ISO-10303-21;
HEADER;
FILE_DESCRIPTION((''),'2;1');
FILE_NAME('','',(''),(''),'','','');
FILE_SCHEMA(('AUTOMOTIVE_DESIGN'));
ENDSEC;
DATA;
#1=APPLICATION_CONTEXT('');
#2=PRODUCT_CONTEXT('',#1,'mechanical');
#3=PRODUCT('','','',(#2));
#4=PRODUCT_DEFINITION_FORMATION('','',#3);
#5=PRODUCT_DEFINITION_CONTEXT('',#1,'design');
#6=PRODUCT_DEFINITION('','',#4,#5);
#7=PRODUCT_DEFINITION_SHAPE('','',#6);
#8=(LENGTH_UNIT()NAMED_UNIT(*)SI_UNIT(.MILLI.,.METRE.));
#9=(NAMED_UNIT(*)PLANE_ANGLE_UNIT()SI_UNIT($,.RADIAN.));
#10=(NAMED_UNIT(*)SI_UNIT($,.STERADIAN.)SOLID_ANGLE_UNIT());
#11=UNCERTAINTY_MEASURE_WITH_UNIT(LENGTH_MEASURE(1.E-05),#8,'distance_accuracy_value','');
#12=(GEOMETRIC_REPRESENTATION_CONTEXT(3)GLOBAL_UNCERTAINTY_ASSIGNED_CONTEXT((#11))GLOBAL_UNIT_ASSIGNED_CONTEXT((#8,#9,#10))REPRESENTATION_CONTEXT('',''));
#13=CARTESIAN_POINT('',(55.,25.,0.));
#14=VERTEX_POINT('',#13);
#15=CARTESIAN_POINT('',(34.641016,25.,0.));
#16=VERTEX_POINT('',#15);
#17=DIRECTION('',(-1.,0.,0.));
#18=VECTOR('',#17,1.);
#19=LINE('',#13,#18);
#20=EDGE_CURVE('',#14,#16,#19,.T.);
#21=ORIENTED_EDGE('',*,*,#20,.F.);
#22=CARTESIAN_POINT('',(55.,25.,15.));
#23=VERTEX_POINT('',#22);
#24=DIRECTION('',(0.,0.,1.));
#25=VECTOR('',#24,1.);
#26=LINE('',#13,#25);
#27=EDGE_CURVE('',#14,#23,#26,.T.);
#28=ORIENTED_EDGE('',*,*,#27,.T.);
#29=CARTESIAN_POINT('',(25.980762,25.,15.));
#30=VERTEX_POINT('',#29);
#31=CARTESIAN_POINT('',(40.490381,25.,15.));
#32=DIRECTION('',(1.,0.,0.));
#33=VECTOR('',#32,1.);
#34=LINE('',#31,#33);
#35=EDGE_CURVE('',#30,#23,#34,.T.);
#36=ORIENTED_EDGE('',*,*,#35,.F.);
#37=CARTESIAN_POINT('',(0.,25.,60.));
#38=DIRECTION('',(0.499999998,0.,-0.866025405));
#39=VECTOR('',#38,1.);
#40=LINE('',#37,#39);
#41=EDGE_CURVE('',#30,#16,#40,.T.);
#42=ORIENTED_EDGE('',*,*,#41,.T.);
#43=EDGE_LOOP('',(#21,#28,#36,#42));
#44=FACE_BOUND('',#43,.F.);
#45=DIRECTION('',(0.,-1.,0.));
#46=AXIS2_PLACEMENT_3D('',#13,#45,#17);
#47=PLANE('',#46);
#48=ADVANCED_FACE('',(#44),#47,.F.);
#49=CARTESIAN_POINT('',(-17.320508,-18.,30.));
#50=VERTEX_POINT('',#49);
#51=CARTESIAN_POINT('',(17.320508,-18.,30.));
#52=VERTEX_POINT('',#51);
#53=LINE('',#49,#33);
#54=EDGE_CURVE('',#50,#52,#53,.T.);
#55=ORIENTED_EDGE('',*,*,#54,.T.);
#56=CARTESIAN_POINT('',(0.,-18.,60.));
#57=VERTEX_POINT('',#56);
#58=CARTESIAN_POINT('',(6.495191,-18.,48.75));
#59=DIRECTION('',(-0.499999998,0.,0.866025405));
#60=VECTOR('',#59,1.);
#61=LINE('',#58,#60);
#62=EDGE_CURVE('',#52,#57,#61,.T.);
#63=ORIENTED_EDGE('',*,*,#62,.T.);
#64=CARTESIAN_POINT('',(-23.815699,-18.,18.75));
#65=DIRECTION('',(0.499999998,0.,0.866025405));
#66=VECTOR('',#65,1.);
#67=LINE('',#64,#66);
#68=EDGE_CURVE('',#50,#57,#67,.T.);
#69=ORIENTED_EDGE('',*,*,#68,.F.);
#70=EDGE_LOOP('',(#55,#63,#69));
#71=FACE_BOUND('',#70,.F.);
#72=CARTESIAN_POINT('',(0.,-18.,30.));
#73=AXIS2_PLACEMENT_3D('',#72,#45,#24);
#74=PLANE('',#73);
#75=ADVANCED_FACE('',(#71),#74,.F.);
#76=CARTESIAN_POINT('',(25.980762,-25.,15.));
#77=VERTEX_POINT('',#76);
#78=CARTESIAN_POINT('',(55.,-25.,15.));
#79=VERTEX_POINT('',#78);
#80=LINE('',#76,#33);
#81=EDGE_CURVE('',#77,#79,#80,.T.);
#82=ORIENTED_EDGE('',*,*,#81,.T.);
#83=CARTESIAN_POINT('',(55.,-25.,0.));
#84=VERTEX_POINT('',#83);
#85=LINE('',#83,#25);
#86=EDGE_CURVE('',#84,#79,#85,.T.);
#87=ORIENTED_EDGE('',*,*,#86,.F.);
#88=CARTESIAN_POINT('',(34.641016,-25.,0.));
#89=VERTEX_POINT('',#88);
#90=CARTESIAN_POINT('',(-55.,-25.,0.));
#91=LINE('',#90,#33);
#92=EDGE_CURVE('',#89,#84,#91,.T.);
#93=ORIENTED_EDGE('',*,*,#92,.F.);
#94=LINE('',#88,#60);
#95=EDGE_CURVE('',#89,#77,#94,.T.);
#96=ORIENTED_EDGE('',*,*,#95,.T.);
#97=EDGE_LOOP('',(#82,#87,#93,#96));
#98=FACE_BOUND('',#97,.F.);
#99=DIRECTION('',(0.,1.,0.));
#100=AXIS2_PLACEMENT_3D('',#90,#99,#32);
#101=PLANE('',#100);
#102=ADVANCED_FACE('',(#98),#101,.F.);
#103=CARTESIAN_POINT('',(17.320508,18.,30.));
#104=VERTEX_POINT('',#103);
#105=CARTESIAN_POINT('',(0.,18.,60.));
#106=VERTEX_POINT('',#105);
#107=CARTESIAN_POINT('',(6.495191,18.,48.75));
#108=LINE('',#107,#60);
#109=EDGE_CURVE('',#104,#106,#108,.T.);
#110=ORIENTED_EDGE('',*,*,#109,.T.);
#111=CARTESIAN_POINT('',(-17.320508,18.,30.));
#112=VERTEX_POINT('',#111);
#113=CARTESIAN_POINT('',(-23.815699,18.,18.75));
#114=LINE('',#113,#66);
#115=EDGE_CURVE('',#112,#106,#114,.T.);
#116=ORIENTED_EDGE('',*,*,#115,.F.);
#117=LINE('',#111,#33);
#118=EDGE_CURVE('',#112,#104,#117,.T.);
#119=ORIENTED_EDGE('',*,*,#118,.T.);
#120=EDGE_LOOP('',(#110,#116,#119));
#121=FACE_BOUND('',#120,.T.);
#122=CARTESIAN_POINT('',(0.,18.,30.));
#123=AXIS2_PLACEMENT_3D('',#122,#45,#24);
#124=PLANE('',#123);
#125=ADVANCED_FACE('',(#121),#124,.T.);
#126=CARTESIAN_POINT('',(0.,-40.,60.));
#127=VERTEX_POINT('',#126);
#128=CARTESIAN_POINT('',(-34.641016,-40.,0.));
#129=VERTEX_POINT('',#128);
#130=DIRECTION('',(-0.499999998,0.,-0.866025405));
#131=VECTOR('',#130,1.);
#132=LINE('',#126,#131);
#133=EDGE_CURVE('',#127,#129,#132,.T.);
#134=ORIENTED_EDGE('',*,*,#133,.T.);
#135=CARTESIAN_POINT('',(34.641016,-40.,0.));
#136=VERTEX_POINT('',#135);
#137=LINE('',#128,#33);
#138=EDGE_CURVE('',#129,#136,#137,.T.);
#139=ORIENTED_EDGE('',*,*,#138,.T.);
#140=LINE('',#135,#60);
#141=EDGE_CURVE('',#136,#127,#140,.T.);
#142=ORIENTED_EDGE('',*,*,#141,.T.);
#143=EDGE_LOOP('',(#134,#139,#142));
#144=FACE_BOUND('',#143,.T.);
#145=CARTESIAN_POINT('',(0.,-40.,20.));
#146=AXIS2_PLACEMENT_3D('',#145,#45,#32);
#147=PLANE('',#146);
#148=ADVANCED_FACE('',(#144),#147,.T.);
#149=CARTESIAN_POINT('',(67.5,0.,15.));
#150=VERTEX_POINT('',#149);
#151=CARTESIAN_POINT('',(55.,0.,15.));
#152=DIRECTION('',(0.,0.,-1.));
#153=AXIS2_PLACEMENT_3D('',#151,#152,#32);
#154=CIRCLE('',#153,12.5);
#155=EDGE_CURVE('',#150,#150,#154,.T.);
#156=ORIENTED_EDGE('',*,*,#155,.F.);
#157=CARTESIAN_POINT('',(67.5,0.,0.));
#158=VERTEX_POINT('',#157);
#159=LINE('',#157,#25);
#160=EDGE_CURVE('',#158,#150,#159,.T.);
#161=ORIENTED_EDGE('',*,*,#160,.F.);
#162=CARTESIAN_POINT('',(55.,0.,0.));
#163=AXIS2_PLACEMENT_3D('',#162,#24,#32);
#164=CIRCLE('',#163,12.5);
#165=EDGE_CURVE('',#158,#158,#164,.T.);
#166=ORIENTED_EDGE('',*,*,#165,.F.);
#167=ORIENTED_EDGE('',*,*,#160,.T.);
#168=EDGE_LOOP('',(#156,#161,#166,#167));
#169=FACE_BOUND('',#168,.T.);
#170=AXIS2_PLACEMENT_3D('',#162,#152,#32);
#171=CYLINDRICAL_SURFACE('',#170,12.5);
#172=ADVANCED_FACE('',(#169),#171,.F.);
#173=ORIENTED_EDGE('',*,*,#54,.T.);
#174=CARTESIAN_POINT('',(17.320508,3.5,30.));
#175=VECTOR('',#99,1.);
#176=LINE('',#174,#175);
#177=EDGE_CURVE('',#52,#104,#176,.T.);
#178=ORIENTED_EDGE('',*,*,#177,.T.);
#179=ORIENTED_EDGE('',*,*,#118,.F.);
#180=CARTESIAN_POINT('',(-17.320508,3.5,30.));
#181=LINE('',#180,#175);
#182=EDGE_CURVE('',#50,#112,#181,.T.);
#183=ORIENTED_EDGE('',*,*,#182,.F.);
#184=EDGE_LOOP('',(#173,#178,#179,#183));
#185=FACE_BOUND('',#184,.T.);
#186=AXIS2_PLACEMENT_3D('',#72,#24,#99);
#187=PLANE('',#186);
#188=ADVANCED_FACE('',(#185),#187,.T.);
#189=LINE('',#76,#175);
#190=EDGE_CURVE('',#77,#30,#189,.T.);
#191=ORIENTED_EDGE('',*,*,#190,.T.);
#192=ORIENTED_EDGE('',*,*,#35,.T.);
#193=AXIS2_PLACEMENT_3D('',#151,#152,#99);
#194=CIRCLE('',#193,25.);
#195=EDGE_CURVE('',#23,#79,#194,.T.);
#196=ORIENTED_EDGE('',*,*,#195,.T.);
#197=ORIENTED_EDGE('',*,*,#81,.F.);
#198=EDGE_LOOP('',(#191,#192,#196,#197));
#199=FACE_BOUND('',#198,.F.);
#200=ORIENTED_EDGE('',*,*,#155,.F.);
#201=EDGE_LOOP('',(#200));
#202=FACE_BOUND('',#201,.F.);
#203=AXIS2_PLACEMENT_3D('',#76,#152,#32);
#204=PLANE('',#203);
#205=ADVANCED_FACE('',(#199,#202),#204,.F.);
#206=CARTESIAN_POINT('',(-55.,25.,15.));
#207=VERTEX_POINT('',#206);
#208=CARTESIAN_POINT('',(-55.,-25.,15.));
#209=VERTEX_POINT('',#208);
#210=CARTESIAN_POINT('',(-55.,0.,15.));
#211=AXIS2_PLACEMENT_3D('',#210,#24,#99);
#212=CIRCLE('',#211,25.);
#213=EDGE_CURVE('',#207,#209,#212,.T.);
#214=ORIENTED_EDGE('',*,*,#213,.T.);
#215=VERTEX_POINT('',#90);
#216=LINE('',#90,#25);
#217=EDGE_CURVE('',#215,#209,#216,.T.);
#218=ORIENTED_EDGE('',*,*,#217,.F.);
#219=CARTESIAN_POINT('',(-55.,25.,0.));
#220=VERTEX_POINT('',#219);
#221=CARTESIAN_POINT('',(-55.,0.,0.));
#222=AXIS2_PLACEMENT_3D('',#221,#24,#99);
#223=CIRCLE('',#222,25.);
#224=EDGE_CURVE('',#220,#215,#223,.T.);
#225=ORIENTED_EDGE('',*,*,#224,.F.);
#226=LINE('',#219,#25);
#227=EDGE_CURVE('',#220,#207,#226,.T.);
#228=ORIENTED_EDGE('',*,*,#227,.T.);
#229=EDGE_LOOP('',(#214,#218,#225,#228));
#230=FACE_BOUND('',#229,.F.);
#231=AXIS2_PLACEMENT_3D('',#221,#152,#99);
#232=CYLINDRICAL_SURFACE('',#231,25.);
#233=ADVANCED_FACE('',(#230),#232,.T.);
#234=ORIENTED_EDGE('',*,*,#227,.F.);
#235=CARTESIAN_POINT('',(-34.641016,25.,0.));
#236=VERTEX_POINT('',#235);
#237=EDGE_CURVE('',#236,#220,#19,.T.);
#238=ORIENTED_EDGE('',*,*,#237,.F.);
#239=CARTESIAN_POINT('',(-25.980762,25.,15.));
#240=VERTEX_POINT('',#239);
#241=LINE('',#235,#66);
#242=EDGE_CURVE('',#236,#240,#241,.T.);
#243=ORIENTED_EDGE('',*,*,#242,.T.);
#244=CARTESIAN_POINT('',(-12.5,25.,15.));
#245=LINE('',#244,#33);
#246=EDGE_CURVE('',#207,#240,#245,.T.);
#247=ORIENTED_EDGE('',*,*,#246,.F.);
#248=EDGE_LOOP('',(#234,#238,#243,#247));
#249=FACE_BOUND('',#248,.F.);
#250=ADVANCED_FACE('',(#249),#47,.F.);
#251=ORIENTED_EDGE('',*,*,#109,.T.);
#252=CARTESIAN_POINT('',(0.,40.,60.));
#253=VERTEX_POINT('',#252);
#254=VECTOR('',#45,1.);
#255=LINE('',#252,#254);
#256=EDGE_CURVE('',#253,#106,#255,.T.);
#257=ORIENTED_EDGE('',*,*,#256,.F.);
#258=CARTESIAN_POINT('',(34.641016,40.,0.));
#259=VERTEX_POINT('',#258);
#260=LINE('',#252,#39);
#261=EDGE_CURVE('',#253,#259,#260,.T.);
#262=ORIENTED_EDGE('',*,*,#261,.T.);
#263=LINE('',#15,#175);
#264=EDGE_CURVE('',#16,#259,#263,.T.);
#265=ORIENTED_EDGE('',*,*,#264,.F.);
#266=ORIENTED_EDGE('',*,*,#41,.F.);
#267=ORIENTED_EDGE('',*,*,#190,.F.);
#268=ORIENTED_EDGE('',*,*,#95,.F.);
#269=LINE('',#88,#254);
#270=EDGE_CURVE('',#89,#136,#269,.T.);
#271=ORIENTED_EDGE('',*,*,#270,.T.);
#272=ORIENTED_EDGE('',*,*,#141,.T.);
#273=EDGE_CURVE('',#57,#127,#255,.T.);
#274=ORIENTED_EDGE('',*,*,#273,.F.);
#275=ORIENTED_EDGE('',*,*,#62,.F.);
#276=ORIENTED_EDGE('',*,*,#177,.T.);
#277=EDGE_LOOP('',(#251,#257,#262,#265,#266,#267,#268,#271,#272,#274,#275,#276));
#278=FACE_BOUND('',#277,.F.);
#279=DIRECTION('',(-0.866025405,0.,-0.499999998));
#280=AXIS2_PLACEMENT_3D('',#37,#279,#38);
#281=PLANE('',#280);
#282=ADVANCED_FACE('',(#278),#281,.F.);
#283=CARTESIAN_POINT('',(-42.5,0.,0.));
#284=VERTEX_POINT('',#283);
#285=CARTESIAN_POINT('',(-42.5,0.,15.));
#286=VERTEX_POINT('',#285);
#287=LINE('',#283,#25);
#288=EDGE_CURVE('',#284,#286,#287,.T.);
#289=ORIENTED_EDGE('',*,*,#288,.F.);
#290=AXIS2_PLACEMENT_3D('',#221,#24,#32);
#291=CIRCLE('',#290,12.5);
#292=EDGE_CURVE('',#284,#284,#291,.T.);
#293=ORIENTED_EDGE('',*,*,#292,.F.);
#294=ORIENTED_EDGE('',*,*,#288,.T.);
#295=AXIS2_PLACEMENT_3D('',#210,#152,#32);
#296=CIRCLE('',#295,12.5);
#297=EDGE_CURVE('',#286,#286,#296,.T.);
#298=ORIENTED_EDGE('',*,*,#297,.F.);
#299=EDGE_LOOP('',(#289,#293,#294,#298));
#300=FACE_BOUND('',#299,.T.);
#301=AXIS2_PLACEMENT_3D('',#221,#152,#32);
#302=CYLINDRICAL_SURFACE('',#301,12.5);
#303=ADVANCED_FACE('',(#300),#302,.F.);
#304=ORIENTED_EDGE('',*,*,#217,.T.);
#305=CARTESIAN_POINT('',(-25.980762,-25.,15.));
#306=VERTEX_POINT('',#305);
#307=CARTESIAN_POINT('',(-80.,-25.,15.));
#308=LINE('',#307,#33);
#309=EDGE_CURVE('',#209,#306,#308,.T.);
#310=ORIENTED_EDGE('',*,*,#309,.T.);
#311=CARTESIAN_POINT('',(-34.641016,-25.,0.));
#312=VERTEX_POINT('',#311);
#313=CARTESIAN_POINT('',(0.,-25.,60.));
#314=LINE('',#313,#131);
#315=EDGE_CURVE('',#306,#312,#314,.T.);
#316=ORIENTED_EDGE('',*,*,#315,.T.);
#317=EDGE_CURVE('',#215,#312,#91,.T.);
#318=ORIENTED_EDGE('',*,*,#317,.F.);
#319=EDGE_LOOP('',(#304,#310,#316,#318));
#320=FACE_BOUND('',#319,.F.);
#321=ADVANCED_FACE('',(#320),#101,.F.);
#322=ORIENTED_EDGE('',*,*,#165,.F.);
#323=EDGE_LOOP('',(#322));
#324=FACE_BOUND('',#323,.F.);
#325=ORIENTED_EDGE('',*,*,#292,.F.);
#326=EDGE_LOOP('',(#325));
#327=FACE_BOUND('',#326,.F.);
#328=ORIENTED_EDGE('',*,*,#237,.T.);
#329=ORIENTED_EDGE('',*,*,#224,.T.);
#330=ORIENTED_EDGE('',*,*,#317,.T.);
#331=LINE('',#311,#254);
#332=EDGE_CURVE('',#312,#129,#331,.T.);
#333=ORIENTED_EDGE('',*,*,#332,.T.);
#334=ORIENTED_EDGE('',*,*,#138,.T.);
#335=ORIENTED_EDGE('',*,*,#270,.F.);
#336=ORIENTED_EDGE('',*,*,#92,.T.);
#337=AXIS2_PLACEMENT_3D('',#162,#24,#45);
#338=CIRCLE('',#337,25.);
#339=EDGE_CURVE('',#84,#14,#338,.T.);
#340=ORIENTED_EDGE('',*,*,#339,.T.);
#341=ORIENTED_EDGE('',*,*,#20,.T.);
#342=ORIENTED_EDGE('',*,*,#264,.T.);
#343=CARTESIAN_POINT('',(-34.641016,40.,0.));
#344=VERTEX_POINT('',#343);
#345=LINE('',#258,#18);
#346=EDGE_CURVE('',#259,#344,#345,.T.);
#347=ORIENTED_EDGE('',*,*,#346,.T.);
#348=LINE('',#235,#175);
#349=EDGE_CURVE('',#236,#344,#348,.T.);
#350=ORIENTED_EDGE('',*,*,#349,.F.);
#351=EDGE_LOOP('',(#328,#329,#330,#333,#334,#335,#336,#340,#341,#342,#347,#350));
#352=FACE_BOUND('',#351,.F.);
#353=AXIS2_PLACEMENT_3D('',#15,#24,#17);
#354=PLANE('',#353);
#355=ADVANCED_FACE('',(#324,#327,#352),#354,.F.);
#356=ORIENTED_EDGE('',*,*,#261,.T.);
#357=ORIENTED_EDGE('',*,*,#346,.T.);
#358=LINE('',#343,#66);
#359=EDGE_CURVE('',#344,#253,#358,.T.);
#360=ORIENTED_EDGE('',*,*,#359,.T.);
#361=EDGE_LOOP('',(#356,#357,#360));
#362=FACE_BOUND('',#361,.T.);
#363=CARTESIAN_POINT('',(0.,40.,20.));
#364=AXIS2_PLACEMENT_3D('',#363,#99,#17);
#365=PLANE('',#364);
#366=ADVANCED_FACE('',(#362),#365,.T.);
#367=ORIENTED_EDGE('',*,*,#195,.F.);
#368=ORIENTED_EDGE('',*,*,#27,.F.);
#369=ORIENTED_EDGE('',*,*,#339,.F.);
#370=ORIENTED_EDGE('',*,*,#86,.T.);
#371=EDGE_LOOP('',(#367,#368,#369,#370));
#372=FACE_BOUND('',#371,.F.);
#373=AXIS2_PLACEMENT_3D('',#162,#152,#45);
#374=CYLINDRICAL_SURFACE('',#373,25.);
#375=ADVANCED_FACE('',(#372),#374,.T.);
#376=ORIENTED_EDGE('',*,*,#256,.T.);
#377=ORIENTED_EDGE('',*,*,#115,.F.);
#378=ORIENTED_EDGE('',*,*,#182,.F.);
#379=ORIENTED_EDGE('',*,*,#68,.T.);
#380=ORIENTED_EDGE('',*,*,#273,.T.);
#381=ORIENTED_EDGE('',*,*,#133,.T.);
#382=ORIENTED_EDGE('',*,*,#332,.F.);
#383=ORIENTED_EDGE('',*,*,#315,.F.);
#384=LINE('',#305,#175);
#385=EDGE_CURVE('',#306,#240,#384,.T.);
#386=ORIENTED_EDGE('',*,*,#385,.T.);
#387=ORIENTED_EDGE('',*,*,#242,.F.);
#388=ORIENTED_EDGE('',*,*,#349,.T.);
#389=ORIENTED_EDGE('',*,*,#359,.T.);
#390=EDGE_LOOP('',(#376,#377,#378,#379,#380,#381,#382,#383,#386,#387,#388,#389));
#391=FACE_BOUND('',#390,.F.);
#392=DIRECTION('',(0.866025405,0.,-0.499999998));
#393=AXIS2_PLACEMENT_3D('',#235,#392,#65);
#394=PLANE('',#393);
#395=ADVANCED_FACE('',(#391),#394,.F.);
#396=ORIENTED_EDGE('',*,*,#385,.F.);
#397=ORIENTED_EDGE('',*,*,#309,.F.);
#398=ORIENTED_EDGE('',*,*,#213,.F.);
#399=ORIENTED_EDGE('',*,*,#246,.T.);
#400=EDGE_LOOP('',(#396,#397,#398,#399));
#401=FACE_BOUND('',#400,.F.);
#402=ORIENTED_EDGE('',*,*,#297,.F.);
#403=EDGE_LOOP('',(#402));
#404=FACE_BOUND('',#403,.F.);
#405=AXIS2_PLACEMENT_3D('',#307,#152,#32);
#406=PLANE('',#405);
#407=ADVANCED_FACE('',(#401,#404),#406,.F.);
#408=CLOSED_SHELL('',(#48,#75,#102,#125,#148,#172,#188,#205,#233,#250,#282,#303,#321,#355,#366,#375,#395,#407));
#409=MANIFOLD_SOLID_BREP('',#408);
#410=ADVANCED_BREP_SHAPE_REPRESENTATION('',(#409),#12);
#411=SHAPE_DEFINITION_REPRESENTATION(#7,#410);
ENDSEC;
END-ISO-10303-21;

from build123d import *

# Parameters (mm, degrees)
F0_R      = 12.5
F1_DEPTH  = 60
F2_W      = 25
F2_H      = 45
F3_DEPTH  = 80
F4_DEPTH  = 15
F6_DEPTH  = 15
F7_W      = 36
F7_H      = 30
F8_DEPTH  = 50
F8_FACE_W = 36
F8_FACE_H = 30
F9_DEPTH  = 25


with BuildPart() as f1:
    # F0 (on Top) → F1 (new body)
    with BuildSketch(Plane.XY):
        with BuildLine():
            Line((-55, -25), (55, -25))
            ThreePointArc((55, -25), (80, 0), (55, 25))
            Line((55, 25), (-55, 25))
            ThreePointArc((-55, 25), (-80, 0), (-55, -25))
        make_face()
        with Locations((-55, 0)):
            Circle(F0_R, mode=Mode.SUBTRACT)
        with Locations((55, 0)):
            Circle(F0_R, mode=Mode.SUBTRACT)
    extrude(amount=F1_DEPTH)

    # F2 (on face) → F3 (cut)
    with BuildSketch(Plane.XZ.offset(25)):
        with Locations((-67.5, 37.5)):
            Rectangle(F2_W, F2_H)
        Polygon((0, 60), (-55, 60), (-55, 15), (-25.980762, 15), align=None)
        Polygon((55, 60), (0, 60), (25.980762, 15), (55, 15), align=None)
        with Locations((67.5, 37.5)):
            Rectangle(F2_W, F2_H)
    extrude(amount=-F3_DEPTH, mode=Mode.SUBTRACT)

    # F2 (on face) → F4 (join)
    with BuildSketch(Plane.XZ.offset(25)):
        Polygon((25.980762, 15), (0, 60), (-25.980762, 15), (-34.641016, 0), (0, 0), (34.641016, 0), align=None)
    extrude(amount=F4_DEPTH)

    # F5 (on face) → F6 (join)
    with BuildSketch(Plane(origin=(0, 25, 0), x_dir=(-1, 0, 0), z_dir=(0, 1, 0))):
        Polygon((25.980762, 15), (0, 60), (-25.980762, 15), (-34.641016, 0), (34.641016, 0), align=None)
    extrude(amount=F6_DEPTH)

    # F7 (on Right) → F8 (cut)
    with BuildSketch(Plane.YZ):
        with Locations((0, 45)):
            Rectangle(F7_W, F7_H)
    extrude(amount=F8_DEPTH, mode=Mode.SUBTRACT)

    # F8_face (on face) → F9 (cut)
    with BuildSketch(Plane(origin=(0, 0, 45), x_dir=(0, 1, 0), z_dir=(1, 0, 0))):
        Rectangle(F8_FACE_W, F8_FACE_H)
    extrude(amount=-F9_DEPTH, mode=Mode.SUBTRACT)


solid = f1.part
